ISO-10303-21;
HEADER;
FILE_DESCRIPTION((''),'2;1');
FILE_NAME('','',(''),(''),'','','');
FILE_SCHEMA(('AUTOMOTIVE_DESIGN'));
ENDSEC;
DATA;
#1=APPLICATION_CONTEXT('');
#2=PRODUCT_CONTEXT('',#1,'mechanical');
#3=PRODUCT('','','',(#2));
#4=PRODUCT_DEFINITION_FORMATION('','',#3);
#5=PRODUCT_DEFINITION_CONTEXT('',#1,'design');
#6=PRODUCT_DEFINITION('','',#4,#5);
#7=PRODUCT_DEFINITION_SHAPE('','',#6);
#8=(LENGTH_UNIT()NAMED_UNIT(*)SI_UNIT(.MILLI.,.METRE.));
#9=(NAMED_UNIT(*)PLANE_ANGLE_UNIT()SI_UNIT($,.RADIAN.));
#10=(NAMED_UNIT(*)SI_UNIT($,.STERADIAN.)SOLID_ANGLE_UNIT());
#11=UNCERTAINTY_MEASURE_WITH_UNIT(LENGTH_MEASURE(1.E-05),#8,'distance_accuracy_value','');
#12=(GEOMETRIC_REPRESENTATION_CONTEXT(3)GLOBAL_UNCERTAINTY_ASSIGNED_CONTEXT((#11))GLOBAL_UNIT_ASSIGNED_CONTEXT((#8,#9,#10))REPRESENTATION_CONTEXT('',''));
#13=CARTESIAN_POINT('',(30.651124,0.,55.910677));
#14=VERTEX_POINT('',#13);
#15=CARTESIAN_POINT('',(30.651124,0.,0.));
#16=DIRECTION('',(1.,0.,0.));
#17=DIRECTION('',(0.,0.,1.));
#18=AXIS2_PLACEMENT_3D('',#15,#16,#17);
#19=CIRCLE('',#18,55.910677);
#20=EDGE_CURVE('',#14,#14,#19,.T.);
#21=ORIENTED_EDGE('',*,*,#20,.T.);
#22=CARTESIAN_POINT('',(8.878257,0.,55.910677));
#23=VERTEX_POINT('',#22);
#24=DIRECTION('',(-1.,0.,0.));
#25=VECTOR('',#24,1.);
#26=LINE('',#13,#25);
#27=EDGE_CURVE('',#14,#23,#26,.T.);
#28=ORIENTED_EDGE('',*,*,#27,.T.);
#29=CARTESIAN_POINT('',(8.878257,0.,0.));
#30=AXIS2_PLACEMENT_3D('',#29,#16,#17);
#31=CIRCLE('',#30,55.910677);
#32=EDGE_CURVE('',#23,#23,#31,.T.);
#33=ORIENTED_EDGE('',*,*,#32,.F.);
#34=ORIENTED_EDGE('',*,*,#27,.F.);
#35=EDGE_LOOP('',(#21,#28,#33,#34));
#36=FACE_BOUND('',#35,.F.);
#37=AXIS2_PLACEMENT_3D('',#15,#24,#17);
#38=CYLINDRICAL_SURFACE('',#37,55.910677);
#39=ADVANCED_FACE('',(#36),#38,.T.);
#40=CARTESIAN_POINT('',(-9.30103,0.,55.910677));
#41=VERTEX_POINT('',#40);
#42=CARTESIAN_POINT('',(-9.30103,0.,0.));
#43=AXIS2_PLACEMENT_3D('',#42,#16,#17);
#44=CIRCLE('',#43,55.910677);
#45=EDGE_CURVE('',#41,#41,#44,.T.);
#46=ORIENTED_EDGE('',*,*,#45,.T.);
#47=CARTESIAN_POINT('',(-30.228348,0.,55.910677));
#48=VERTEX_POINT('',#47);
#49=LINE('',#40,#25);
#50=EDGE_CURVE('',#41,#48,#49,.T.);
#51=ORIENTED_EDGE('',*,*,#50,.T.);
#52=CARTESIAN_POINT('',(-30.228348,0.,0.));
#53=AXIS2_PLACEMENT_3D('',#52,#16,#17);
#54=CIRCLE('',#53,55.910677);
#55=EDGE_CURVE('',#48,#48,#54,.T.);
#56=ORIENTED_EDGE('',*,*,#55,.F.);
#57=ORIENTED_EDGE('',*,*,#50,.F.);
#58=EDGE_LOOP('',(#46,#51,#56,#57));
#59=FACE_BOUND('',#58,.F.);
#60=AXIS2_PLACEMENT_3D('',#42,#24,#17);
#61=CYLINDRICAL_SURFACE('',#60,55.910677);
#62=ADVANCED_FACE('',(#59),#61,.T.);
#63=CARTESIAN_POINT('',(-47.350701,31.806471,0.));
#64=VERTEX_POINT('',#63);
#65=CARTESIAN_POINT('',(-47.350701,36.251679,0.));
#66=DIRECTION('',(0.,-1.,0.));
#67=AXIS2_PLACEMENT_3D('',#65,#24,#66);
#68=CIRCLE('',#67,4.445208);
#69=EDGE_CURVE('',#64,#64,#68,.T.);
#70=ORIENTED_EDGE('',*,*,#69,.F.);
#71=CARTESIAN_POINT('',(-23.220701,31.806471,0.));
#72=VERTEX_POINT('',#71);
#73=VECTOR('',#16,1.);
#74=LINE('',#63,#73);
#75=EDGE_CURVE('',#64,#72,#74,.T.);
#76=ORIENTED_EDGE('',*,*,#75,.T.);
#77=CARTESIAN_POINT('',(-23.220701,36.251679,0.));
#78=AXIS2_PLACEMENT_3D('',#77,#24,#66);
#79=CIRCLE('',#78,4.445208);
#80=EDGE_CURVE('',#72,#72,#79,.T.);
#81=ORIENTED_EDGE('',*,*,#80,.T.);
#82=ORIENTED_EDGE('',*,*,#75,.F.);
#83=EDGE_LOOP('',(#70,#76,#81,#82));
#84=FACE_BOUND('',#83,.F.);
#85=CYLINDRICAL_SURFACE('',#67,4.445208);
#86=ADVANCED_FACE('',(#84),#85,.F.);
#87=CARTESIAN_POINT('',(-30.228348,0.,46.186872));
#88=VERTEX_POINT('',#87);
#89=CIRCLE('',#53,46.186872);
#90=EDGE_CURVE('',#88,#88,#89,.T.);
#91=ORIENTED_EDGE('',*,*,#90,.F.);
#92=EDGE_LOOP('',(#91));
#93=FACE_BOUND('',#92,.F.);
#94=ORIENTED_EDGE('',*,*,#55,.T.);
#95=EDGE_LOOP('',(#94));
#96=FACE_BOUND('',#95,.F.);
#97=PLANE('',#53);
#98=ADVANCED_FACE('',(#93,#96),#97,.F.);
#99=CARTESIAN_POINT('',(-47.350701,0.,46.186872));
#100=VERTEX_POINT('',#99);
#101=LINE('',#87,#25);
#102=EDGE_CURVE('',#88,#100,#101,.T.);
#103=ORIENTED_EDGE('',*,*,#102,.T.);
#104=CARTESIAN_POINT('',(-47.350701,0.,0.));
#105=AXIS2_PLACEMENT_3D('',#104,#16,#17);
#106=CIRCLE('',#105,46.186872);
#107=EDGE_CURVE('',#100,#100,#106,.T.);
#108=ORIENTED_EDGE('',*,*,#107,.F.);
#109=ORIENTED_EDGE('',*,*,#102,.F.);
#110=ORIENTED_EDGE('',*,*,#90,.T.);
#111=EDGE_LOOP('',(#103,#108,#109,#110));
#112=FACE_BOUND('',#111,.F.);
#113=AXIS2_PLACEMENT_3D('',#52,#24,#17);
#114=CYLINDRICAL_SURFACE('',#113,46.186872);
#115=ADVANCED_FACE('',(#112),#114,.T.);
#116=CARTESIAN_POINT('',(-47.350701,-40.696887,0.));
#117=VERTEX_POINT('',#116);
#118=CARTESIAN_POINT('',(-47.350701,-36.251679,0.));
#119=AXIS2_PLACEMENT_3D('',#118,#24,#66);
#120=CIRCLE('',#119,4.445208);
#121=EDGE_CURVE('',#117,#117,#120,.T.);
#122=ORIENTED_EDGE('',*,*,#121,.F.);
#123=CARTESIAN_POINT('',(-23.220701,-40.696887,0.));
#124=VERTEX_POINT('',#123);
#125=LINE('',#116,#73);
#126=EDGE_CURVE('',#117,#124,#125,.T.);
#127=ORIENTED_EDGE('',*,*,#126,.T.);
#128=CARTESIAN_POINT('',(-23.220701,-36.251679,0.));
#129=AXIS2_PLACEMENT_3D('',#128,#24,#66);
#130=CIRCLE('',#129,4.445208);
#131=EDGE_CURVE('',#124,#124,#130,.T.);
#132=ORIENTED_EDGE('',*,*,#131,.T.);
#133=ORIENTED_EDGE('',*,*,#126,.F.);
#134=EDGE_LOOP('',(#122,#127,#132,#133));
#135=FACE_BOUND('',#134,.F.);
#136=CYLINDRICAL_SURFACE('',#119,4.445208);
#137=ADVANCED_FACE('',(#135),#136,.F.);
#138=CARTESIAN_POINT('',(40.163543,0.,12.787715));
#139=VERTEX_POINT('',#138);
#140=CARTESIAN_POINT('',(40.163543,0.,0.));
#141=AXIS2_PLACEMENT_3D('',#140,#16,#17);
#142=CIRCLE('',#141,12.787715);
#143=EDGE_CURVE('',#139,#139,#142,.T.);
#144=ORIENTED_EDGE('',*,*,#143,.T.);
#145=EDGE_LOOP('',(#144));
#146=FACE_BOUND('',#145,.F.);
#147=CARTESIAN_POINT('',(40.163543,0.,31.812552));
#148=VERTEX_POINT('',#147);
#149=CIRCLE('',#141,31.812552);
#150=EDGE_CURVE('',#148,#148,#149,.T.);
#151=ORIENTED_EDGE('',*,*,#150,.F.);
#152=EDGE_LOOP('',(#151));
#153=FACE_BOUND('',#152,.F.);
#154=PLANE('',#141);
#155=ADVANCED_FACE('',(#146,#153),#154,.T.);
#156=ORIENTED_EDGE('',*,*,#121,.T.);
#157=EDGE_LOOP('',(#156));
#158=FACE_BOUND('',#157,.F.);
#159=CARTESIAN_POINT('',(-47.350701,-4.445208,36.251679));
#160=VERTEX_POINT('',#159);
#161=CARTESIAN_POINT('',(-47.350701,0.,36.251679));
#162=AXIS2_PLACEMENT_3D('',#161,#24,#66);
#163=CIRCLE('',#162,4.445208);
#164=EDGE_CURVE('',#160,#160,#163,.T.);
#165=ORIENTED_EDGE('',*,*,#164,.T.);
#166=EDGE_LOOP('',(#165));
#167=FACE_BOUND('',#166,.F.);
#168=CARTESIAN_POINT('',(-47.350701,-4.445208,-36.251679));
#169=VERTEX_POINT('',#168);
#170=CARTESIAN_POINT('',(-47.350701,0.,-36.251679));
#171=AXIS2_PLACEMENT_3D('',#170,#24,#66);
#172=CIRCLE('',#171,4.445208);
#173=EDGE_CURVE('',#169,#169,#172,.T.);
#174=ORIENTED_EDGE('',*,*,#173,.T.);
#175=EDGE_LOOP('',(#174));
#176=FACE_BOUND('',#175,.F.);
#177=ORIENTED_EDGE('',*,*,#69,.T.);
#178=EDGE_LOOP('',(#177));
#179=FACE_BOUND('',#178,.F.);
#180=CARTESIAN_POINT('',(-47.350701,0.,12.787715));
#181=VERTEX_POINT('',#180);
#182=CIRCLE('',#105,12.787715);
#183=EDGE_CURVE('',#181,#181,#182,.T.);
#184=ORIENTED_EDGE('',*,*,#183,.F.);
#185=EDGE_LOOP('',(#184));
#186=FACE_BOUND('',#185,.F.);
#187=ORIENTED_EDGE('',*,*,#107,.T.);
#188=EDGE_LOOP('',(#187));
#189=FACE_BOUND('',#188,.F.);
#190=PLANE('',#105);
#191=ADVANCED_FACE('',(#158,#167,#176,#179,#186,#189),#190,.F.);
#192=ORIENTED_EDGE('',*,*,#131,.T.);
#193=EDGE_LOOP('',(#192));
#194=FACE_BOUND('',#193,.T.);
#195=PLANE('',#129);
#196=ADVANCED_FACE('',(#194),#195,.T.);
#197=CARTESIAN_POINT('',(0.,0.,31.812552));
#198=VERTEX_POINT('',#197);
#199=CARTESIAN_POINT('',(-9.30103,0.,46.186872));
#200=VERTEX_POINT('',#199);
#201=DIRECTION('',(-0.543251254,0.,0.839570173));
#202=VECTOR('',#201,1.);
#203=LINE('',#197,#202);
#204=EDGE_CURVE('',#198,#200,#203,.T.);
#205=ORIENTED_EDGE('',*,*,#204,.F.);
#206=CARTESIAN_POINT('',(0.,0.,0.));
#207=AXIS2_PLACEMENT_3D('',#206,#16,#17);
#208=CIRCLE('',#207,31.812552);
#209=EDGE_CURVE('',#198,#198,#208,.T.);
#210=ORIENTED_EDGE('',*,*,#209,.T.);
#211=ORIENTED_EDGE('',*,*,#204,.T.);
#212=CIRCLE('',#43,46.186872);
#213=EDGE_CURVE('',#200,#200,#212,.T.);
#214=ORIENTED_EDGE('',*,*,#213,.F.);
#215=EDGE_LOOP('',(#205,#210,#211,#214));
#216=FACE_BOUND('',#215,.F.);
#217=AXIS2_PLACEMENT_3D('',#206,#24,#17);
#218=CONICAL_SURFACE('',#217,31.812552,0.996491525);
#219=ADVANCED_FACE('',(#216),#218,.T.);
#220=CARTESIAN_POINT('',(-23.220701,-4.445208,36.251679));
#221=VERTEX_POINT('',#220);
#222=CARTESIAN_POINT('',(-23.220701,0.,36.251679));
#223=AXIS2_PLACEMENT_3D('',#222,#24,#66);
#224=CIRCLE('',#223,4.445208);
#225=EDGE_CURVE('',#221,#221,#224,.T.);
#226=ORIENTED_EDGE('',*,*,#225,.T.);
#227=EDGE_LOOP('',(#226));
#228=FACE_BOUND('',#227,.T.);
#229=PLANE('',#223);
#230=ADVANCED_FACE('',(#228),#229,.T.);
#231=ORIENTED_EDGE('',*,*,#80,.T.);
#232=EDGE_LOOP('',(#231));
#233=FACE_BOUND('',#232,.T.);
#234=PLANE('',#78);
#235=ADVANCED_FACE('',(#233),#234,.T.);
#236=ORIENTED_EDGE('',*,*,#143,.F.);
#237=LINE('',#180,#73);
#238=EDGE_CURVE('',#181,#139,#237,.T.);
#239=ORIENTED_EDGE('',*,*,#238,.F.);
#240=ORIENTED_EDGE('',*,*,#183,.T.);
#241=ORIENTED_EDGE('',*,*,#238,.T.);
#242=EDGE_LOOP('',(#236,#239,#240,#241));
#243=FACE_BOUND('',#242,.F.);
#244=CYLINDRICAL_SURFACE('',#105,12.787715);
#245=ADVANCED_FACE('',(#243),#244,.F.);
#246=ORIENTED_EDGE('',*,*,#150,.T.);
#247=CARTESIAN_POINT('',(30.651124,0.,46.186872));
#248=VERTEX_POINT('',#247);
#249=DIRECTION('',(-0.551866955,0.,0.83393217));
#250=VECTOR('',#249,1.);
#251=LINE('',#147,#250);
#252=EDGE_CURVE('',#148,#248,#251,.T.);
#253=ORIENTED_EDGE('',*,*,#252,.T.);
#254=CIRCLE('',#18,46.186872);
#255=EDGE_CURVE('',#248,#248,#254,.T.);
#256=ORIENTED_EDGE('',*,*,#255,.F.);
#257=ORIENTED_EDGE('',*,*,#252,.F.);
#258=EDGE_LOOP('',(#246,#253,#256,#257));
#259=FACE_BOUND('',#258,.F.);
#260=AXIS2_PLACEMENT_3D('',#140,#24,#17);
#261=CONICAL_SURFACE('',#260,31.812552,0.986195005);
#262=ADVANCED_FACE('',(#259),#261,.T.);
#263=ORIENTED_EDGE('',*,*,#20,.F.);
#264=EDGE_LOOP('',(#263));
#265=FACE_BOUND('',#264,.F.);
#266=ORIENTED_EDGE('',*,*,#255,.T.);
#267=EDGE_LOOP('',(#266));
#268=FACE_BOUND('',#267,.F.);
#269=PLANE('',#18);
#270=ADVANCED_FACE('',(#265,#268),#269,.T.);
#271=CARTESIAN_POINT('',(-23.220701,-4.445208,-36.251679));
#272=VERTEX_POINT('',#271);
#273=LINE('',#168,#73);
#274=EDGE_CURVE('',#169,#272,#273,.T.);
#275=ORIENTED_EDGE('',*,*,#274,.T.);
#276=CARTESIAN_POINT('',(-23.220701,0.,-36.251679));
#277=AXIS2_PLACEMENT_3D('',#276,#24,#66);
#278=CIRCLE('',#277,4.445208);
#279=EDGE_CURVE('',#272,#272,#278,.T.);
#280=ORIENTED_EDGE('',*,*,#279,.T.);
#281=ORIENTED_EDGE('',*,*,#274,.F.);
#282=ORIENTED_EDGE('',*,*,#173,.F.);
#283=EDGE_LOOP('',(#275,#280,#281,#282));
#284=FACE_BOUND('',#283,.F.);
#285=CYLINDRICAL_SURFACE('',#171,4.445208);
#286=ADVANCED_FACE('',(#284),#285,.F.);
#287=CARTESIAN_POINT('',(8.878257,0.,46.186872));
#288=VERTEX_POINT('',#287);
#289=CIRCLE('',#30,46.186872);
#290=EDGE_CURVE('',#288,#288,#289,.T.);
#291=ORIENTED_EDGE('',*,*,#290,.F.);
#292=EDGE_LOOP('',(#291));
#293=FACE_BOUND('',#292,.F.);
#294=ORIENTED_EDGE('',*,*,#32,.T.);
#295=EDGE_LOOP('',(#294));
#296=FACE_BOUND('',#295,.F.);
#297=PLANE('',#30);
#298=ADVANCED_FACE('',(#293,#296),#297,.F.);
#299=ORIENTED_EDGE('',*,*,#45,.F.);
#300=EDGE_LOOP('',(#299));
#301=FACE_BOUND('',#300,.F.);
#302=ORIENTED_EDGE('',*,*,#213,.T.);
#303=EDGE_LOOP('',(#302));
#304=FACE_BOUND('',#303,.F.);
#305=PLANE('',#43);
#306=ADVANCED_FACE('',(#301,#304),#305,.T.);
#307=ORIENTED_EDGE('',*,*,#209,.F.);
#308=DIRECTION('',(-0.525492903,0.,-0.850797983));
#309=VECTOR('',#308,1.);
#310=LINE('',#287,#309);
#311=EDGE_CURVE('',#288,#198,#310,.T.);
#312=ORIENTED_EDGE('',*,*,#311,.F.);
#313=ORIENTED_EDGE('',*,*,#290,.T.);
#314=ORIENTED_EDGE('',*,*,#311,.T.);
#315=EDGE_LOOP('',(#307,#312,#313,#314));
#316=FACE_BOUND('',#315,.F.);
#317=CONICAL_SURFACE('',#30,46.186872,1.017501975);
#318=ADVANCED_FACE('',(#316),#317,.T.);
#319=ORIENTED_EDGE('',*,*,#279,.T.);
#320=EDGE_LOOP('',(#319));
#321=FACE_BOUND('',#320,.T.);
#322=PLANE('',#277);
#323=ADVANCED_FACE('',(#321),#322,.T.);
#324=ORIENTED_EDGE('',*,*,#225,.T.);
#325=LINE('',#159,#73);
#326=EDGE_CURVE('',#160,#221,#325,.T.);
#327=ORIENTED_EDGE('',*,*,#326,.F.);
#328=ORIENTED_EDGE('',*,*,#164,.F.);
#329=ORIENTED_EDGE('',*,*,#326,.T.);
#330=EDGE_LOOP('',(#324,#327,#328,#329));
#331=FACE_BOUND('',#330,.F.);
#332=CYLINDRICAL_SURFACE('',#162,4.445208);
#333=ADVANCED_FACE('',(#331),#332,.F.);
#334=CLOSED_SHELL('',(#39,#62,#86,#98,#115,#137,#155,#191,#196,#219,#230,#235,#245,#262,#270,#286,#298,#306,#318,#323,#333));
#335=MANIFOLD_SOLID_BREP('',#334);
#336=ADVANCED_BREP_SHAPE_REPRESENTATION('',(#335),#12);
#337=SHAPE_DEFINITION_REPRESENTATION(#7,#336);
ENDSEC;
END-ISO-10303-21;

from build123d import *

# Parameters (mm, degrees)
F2_R     = 4.445208
F3_DEPTH = 24.13


with BuildPart() as f1:
    # F0 (on Front) → F1 (revolve)
    with BuildSketch(Plane.XZ):
        Polygon((-47.350701, 46.186872), (-47.350701, 12.787715), (40.163543, 12.787715), (40.163543, 31.812552), (30.651124, 46.186872), (30.651124, 55.910677), (8.878257, 55.910677), (8.878257, 46.186872), (0, 31.812552), (-9.30103, 46.186872), (-9.30103, 55.910677), (-30.228348, 55.910677), (-30.228348, 46.186872), align=None)
    revolve(axis=Axis((7.292859, 0, 0), (1, 0, 0)))

    # F2 (on face) → F3 (cut)
    with BuildSketch(Plane(origin=(-47.350701, 0, 0), x_dir=(0, -1, 0), z_dir=(-1, 0, 0))):
        with Locations((0, 36.251679)):
            Circle(F2_R)
        with Locations((36.251679, 0)):
            Circle(F2_R)
        with Locations((0, -36.251679)):
            Circle(F2_R)
        with Locations((-36.251679, 0)):
            Circle(F2_R)
    extrude(amount=-F3_DEPTH, mode=Mode.SUBTRACT)


solid = f1.part
